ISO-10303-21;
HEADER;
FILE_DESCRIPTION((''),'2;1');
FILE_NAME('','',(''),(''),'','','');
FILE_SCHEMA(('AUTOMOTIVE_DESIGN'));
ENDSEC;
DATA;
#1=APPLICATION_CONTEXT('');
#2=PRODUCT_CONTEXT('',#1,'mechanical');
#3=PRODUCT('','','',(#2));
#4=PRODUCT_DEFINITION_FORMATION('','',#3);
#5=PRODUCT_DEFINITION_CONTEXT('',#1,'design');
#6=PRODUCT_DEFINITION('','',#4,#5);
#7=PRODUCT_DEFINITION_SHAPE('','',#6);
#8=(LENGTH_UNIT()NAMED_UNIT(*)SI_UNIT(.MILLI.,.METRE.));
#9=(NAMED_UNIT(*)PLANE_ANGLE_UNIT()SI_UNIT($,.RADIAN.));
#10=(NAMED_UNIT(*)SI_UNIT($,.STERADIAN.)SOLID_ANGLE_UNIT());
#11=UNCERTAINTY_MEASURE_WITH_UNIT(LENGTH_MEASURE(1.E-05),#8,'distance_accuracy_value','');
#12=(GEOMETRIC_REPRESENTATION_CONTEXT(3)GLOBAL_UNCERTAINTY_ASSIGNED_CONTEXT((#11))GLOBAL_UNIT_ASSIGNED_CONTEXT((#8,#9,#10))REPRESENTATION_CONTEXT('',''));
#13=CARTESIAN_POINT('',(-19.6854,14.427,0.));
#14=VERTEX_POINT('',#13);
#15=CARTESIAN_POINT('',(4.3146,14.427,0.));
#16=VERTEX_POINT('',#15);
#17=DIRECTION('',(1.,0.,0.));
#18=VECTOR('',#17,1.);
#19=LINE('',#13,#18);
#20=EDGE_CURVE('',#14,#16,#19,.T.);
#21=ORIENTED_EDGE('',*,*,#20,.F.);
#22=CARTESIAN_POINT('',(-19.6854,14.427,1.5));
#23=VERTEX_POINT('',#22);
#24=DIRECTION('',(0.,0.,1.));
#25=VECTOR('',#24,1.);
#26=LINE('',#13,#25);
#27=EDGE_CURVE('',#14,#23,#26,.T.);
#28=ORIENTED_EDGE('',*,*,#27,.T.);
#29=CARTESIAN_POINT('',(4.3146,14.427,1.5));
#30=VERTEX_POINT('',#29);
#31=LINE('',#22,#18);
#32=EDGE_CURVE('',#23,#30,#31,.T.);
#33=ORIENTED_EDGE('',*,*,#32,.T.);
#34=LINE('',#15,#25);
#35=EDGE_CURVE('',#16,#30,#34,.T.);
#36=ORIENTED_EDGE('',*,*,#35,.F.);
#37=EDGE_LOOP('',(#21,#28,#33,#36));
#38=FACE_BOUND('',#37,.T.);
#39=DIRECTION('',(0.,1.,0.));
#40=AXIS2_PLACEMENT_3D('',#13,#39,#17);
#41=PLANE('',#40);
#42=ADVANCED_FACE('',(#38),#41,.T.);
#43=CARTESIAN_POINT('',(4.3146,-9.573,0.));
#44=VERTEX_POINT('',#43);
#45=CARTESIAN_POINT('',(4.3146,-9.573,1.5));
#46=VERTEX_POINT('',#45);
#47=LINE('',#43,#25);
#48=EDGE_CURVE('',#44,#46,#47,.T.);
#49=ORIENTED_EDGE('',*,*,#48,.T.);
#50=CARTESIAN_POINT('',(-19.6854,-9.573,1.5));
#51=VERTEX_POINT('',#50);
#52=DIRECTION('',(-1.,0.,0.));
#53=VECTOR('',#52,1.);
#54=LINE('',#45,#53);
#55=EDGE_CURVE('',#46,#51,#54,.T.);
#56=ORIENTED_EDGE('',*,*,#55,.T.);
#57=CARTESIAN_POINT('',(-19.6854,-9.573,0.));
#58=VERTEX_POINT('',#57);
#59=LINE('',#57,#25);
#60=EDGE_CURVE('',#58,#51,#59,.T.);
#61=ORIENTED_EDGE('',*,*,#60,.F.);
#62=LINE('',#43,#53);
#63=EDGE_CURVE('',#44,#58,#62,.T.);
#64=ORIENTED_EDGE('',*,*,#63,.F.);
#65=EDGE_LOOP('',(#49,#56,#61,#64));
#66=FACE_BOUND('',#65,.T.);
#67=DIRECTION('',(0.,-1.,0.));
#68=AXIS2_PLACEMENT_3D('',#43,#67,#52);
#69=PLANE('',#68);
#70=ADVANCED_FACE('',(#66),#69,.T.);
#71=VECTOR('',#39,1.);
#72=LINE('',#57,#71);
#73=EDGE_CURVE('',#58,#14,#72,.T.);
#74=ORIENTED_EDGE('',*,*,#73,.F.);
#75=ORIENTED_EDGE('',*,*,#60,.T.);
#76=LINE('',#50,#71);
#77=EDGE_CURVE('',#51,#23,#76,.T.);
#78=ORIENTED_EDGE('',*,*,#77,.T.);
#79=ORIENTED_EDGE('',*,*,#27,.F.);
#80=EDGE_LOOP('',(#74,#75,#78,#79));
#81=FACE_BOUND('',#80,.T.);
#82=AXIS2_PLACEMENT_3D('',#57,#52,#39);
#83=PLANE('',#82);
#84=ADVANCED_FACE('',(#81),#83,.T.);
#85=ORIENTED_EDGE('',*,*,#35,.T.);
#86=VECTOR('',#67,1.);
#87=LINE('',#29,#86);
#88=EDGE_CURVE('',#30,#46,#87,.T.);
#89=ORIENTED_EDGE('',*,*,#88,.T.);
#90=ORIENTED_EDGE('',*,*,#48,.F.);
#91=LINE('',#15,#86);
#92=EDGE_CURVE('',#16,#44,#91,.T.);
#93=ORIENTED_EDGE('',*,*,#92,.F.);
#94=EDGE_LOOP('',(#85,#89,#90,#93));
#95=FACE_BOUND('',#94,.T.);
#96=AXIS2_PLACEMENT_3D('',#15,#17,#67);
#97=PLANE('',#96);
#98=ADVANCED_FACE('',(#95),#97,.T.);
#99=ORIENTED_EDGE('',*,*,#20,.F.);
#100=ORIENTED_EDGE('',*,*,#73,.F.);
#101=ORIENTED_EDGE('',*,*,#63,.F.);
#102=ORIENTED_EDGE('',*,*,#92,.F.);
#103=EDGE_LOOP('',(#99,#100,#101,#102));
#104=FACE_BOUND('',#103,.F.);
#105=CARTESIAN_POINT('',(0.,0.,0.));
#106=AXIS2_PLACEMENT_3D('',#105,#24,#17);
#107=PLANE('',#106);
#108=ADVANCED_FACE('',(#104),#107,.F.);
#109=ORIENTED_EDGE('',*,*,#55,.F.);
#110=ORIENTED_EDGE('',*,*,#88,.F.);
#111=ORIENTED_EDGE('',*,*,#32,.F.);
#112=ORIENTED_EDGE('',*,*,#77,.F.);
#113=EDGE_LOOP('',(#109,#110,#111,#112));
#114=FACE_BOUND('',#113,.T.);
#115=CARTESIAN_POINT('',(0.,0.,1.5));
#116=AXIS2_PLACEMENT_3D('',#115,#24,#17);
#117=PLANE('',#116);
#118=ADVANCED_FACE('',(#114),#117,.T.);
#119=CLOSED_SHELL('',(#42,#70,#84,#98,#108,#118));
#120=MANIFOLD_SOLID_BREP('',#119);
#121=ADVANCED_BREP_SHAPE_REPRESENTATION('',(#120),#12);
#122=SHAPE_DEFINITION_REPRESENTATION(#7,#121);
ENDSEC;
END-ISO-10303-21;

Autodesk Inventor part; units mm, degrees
ref_plane "YZ Plane" through (0, 0, 0) normal (1, 0, 0) x (0, 1, 0)
ref_plane "XZ Plane" through (0, 0, 0) normal (0, 1, 0) x (-1, 0, 0)
ref_plane "XY Plane" through (0, 0, 0) normal (0, 0, 1) x (1, 0, 0)
sketch "Sketch1" plane through (0, 0, 0) normal (0, 0, 1) x (1, 0, 0)
  line L0 (-19.6854, 14.427) -> (4.3146, 14.427)
  line L1 (4.3146, 14.427) -> (4.3146, -9.573)
  line L2 (4.3146, -9.573) -> (-19.6854, -9.573)
  line L3 (-19.6854, -9.573) -> (-19.6854, 14.427)
  line L4 (-19.6854, 14.427) -> (4.3146, -9.573) construction
  line L5 (4.3146, 14.427) -> (-19.6854, -9.573) construction
  point P0 (0, 0)
  point P1 (-7.6854, 2.427)
  dimension "d2" = 24
  dimension "d4" = 24
extrude "Extrusion1" add sketch "Sketch1" along normal blind 1.5
sketch "Sketch2" plane through (0, 0, 1.5) normal (0, 0, 1) x (1, 0, 0)
  line L0 (4.3146, 14.427) -> (-19.6854, 14.427) projected
  line L1 (-19.6854, 14.427) -> (-19.6854, -9.573) projected
  line L2 (-19.6854, -9.573) -> (4.3146, -9.573) projected
  line L3 (4.3146, -9.573) -> (4.3146, 14.427) projected
  line L4 (-19.6854, 14.427) -> (4.3146, -9.573) construction
  line L5 (4.3146, 14.427) -> (-19.6854, -9.573) construction
  point P0 (0, 0)
  point P1 (-7.6854, 2.427)
properties part number "IRGlass"
